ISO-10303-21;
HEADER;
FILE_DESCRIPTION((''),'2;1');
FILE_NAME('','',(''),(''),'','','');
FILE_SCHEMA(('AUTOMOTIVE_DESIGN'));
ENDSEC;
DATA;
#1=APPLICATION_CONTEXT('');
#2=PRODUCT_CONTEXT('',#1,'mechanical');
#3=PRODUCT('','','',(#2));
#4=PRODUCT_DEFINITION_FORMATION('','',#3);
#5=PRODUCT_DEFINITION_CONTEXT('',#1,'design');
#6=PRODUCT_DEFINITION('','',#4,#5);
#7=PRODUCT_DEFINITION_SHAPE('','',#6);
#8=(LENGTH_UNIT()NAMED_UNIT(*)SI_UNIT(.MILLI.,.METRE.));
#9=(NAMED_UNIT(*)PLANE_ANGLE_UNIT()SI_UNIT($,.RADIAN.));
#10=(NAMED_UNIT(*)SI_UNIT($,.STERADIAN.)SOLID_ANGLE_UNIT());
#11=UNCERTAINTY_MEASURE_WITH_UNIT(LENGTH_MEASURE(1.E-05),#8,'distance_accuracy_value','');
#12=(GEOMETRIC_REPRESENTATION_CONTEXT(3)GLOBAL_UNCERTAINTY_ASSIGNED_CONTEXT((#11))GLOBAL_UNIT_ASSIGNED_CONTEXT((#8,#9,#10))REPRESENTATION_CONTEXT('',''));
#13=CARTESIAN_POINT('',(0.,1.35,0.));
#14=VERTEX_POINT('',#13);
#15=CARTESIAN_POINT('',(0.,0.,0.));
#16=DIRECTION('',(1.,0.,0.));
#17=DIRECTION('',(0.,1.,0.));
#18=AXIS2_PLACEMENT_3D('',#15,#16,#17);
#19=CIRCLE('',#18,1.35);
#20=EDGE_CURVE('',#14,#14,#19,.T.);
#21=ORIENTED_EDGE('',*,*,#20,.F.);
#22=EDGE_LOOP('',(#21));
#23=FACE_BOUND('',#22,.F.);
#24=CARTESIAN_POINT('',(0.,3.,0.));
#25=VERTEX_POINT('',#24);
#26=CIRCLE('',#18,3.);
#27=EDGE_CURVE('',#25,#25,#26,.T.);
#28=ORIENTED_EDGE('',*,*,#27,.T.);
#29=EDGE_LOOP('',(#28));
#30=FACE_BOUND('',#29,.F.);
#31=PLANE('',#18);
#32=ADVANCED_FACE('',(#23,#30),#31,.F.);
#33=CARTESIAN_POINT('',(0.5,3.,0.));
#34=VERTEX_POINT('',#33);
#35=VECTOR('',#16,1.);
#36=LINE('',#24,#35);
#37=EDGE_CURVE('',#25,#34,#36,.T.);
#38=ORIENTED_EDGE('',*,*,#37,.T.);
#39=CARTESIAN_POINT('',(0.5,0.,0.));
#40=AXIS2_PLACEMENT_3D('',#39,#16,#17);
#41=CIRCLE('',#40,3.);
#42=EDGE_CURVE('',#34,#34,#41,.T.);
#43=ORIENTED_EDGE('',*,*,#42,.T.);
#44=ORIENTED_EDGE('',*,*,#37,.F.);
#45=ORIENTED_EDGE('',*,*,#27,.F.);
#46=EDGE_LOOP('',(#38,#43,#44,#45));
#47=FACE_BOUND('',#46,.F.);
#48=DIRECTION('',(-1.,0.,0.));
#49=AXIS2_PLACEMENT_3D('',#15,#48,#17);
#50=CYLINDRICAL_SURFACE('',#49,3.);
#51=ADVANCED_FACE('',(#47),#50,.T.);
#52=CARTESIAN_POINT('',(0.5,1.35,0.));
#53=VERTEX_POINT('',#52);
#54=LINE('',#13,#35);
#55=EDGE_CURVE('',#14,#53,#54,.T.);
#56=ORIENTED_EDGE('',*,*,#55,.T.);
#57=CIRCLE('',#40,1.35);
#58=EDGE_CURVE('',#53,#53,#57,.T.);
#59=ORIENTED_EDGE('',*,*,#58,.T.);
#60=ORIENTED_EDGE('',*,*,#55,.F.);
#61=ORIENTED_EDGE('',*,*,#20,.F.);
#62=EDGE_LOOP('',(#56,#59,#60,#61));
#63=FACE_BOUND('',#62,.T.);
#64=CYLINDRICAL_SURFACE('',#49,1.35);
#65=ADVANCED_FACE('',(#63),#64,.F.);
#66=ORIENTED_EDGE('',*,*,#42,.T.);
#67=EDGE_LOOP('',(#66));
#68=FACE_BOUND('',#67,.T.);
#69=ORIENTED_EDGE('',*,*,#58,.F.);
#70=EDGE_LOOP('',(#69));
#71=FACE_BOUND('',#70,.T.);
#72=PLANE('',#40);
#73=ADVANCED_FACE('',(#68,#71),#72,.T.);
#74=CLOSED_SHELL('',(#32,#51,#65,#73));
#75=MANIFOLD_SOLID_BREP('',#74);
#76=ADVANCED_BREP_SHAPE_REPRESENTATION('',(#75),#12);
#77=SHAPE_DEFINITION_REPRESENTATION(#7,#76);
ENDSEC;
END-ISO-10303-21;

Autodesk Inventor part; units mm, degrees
ref_plane "YZ Plane" through (0, 0, 0) normal (1, 0, 0) x (0, 1, 0)
ref_plane "XZ Plane" through (0, 0, 0) normal (0, 1, 0) x (-1, 0, 0)
sketch "Sketch" plane through (0, 0, 0) normal (1, 0, 0) x (0, 1, 0)
  circle A0 centre (0, 0) radius 3
  circle A1 centre (0, 0) radius 1.35
  dimension "d0" = 2.7
  dimension "d1" = 6
extrude "Body" add sketch "Sketch" along normal blind 0.5
ref_plane "Work Plane1" through (0, 0, 0) normal (0, 0, 1) x (1, 0, 0)
equation "\"d0\" = SD1"
equation "\"d1\" = SD2"
equation "\"d2\" = SD"
equation "\"SD1\" = 2.7"
equation "\"SD2\" = 6"
equation "\"SD\" = 0.5"
equation "\"NND\" = 2.5"
properties part number "DIN 125 - A 2,7" material "Steel, Mild"
